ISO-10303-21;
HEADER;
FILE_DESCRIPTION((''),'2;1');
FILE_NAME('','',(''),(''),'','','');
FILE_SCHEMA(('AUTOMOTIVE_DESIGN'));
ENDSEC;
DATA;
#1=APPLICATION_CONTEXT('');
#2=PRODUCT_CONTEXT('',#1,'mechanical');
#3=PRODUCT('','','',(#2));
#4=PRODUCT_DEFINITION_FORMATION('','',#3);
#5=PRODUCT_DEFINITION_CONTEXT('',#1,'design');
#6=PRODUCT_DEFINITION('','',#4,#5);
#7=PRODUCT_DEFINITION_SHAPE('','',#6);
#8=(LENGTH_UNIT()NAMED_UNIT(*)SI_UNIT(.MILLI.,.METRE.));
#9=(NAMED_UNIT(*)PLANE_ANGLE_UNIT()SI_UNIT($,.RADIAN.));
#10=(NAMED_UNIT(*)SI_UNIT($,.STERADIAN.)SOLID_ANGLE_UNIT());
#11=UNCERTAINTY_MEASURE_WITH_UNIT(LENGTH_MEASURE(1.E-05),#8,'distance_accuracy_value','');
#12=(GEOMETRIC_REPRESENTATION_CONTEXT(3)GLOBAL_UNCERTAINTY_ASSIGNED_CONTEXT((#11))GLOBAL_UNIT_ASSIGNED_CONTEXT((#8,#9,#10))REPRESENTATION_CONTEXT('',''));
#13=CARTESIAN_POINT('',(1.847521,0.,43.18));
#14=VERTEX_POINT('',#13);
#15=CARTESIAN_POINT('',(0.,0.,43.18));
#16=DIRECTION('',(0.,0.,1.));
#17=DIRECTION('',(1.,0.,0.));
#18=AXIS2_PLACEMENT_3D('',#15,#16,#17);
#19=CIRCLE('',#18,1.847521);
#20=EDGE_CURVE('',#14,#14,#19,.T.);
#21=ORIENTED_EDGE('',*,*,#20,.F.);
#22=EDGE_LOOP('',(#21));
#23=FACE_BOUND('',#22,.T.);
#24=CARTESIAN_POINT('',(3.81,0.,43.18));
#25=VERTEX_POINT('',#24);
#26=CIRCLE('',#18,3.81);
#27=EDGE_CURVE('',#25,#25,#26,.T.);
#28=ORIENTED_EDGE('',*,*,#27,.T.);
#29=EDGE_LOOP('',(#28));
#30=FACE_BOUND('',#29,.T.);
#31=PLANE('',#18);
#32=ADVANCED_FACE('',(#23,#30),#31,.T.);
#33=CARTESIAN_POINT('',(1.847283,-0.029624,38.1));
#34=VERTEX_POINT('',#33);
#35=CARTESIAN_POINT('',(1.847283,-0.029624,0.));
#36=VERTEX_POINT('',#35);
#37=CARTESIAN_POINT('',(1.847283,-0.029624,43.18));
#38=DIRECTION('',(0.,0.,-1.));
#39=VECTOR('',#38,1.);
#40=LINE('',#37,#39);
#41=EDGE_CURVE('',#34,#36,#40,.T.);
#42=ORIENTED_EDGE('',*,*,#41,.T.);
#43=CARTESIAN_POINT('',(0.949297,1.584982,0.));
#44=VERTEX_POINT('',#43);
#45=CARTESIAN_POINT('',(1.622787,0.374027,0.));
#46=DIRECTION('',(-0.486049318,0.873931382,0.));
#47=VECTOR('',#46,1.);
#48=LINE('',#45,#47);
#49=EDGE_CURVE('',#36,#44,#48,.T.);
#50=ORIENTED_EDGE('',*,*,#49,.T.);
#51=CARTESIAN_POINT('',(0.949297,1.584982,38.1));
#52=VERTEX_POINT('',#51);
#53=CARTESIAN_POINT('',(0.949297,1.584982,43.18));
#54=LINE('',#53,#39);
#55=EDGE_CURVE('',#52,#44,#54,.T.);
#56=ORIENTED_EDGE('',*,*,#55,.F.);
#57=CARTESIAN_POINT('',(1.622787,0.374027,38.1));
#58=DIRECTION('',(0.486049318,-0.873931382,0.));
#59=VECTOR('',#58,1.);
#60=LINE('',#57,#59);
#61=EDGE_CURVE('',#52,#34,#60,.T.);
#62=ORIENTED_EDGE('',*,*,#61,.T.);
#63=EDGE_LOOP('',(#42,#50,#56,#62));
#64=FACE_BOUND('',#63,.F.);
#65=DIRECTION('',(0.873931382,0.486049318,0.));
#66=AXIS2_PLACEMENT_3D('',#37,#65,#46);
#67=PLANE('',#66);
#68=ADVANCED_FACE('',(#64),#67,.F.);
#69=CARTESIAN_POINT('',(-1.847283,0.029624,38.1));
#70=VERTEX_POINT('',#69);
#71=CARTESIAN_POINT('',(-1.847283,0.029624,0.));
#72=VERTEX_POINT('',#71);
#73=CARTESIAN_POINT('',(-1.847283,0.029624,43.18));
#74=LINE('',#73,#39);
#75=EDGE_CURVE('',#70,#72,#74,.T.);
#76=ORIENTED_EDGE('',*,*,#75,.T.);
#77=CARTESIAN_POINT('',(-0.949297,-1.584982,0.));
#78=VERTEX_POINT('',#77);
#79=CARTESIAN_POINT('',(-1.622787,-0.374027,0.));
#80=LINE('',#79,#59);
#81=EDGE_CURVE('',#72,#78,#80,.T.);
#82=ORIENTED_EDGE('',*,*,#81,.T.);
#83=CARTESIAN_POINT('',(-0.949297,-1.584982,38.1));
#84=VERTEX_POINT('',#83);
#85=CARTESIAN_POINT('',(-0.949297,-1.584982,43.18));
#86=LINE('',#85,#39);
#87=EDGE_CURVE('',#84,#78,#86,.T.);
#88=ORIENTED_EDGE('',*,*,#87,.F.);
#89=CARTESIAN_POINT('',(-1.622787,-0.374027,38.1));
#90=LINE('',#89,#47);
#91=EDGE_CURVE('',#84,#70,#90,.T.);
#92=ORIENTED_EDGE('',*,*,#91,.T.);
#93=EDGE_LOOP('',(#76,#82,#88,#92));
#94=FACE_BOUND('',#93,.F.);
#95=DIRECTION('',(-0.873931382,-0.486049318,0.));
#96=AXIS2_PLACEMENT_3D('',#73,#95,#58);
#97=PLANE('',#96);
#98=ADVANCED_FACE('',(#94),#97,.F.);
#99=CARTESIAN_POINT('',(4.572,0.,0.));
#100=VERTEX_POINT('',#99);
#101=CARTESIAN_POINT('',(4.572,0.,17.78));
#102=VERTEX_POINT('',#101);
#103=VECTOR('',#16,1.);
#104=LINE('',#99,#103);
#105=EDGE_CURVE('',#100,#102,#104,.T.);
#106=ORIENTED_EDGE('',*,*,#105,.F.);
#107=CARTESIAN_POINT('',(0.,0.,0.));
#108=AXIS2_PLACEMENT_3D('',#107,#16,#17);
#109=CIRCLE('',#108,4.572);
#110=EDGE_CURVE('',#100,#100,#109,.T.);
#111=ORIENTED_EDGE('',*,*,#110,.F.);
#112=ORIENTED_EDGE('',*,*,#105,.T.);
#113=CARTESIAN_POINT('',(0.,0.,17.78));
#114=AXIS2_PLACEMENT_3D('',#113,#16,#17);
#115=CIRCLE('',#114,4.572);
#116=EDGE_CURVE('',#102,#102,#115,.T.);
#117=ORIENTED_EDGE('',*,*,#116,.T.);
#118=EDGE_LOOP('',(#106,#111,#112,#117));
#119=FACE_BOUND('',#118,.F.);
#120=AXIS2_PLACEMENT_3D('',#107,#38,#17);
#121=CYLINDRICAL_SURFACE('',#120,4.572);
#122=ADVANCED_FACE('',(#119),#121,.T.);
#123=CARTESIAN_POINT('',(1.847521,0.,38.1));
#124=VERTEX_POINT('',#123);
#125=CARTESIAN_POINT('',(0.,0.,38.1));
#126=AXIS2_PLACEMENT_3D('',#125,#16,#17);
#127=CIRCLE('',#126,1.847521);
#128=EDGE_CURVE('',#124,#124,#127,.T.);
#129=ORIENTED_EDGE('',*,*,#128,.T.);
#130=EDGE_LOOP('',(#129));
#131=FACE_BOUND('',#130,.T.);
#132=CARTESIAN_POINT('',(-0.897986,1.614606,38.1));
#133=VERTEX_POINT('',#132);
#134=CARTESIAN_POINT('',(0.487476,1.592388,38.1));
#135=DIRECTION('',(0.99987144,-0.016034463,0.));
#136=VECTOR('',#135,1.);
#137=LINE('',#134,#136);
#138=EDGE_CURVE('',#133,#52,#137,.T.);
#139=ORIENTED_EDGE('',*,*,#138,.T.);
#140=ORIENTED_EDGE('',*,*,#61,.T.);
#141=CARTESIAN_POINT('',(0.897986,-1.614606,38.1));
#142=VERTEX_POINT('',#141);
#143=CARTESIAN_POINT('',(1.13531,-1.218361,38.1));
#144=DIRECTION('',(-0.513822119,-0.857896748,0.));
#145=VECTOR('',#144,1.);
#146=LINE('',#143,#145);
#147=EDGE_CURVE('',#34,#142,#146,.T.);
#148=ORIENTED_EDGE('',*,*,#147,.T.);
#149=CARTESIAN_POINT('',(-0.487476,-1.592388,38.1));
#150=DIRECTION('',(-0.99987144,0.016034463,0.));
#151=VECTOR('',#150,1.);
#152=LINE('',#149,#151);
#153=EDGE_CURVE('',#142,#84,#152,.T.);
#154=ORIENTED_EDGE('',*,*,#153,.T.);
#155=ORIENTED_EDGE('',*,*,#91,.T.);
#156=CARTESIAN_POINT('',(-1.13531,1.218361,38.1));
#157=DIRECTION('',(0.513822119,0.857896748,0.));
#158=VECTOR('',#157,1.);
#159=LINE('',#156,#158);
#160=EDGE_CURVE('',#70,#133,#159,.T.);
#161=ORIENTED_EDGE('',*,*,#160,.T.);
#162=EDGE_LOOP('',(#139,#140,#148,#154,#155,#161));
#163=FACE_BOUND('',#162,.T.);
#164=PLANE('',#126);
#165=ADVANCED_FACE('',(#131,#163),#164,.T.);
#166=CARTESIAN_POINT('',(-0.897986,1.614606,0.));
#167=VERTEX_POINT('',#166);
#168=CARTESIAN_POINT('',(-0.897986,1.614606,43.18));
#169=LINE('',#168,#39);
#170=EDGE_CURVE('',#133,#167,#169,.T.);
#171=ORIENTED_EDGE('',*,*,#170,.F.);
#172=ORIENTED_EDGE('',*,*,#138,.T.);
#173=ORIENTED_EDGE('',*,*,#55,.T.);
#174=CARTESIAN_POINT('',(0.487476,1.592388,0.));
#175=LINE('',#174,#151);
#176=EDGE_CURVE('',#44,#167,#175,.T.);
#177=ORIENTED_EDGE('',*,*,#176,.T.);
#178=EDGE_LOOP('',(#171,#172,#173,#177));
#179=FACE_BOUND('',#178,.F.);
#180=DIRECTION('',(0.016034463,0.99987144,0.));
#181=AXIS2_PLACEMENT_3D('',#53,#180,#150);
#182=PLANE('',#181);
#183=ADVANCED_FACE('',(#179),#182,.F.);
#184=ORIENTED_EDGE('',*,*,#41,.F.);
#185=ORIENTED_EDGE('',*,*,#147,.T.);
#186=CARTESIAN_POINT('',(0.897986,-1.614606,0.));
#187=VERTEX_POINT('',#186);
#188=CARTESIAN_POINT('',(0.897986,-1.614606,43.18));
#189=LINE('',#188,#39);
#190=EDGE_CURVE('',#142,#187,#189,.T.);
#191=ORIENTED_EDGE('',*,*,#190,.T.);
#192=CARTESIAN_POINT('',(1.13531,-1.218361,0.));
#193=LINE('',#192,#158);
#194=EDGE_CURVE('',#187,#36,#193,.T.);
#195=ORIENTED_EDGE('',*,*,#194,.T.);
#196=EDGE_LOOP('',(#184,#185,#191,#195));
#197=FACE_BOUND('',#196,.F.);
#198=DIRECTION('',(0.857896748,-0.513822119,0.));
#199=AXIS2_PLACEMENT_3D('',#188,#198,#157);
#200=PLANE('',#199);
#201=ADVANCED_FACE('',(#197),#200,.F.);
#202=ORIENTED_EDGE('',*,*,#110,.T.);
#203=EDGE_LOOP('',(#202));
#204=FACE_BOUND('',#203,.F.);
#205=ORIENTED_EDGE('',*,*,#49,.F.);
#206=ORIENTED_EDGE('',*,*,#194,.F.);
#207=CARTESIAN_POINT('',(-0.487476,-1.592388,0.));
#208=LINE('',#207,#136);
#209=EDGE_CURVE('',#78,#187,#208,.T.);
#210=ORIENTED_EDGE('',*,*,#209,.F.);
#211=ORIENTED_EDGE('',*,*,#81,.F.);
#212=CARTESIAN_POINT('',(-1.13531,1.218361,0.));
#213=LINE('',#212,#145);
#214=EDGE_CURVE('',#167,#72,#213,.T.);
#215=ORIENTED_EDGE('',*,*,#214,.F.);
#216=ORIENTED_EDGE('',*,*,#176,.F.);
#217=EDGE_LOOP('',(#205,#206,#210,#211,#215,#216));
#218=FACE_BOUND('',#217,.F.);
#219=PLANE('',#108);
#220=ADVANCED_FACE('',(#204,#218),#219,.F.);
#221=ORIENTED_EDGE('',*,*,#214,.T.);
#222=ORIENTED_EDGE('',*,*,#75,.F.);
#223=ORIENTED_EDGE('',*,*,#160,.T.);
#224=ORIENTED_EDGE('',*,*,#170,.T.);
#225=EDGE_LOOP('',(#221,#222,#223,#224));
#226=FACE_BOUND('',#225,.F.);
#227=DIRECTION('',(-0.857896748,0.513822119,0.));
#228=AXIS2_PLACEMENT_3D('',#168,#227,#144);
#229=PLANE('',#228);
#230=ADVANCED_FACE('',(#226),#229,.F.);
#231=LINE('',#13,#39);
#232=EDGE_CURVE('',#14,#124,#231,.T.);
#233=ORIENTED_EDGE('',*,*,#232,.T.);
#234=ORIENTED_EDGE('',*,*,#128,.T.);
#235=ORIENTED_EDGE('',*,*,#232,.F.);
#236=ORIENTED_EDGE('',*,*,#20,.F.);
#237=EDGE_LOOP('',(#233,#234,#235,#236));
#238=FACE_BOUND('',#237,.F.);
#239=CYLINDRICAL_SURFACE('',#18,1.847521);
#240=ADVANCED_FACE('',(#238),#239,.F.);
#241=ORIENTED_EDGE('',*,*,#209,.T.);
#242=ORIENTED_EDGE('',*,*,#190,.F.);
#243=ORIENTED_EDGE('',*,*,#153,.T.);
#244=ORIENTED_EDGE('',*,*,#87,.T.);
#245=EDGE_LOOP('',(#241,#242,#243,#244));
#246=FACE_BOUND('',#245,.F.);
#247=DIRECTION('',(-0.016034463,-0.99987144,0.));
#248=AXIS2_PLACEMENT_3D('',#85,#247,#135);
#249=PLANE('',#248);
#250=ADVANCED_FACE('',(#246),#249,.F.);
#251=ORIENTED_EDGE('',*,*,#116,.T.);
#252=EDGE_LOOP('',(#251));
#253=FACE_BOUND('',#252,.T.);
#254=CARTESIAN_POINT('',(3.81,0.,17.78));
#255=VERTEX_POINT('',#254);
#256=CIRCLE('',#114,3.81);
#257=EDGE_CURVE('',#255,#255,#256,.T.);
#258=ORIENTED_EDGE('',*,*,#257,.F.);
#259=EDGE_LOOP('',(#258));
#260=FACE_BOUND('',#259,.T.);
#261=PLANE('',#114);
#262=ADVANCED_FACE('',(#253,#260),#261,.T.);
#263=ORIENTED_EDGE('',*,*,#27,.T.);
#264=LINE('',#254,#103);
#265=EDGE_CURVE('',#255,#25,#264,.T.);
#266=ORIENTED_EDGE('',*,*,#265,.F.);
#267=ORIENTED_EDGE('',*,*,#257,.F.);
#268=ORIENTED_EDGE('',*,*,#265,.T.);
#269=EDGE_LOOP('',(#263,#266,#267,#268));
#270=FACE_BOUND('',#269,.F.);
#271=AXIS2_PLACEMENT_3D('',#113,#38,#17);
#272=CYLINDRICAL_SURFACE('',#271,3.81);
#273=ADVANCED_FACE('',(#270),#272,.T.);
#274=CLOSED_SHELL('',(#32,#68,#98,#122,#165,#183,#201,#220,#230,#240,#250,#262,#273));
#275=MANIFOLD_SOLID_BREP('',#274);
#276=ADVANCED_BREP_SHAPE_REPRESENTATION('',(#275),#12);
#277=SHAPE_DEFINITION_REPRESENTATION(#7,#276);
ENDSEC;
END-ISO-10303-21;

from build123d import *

# Parameters (mm, degrees)
F0_R     = 4.572
F1_DEPTH = 17.78
F2_R     = 3.81
F3_DEPTH = 25.4
F5_DEPTH = 43.181
F6_R     = 1.847521
F7_DEPTH = 5.08


with BuildPart() as f1:
    # F0 (on Top) → F1 (new body)
    with BuildSketch(Plane.XY):
        Circle(F0_R)
    extrude(amount=F1_DEPTH)

    # F2 (on face) → F3 (join)
    with BuildSketch(Plane.XY.offset(17.78)):
        Circle(F2_R)
    extrude(amount=F3_DEPTH)

    # F4 (on face) → F5 (cut, through all)
    with BuildSketch(Plane.XY.offset(43.18)):
        Polygon((0.897986, -1.614606), (1.847283, -0.029624), (0.949297, 1.584982), (-0.897986, 1.614606), (-1.847283, 0.029624), (-0.949297, -1.584982), align=None)
    extrude(amount=-F5_DEPTH, mode=Mode.SUBTRACT)

    # F6 (on face) → F7 (cut)
    with BuildSketch(Plane.XY.offset(43.18)):
        Circle(F6_R)
    extrude(amount=-F7_DEPTH, mode=Mode.SUBTRACT)


solid = f1.part
